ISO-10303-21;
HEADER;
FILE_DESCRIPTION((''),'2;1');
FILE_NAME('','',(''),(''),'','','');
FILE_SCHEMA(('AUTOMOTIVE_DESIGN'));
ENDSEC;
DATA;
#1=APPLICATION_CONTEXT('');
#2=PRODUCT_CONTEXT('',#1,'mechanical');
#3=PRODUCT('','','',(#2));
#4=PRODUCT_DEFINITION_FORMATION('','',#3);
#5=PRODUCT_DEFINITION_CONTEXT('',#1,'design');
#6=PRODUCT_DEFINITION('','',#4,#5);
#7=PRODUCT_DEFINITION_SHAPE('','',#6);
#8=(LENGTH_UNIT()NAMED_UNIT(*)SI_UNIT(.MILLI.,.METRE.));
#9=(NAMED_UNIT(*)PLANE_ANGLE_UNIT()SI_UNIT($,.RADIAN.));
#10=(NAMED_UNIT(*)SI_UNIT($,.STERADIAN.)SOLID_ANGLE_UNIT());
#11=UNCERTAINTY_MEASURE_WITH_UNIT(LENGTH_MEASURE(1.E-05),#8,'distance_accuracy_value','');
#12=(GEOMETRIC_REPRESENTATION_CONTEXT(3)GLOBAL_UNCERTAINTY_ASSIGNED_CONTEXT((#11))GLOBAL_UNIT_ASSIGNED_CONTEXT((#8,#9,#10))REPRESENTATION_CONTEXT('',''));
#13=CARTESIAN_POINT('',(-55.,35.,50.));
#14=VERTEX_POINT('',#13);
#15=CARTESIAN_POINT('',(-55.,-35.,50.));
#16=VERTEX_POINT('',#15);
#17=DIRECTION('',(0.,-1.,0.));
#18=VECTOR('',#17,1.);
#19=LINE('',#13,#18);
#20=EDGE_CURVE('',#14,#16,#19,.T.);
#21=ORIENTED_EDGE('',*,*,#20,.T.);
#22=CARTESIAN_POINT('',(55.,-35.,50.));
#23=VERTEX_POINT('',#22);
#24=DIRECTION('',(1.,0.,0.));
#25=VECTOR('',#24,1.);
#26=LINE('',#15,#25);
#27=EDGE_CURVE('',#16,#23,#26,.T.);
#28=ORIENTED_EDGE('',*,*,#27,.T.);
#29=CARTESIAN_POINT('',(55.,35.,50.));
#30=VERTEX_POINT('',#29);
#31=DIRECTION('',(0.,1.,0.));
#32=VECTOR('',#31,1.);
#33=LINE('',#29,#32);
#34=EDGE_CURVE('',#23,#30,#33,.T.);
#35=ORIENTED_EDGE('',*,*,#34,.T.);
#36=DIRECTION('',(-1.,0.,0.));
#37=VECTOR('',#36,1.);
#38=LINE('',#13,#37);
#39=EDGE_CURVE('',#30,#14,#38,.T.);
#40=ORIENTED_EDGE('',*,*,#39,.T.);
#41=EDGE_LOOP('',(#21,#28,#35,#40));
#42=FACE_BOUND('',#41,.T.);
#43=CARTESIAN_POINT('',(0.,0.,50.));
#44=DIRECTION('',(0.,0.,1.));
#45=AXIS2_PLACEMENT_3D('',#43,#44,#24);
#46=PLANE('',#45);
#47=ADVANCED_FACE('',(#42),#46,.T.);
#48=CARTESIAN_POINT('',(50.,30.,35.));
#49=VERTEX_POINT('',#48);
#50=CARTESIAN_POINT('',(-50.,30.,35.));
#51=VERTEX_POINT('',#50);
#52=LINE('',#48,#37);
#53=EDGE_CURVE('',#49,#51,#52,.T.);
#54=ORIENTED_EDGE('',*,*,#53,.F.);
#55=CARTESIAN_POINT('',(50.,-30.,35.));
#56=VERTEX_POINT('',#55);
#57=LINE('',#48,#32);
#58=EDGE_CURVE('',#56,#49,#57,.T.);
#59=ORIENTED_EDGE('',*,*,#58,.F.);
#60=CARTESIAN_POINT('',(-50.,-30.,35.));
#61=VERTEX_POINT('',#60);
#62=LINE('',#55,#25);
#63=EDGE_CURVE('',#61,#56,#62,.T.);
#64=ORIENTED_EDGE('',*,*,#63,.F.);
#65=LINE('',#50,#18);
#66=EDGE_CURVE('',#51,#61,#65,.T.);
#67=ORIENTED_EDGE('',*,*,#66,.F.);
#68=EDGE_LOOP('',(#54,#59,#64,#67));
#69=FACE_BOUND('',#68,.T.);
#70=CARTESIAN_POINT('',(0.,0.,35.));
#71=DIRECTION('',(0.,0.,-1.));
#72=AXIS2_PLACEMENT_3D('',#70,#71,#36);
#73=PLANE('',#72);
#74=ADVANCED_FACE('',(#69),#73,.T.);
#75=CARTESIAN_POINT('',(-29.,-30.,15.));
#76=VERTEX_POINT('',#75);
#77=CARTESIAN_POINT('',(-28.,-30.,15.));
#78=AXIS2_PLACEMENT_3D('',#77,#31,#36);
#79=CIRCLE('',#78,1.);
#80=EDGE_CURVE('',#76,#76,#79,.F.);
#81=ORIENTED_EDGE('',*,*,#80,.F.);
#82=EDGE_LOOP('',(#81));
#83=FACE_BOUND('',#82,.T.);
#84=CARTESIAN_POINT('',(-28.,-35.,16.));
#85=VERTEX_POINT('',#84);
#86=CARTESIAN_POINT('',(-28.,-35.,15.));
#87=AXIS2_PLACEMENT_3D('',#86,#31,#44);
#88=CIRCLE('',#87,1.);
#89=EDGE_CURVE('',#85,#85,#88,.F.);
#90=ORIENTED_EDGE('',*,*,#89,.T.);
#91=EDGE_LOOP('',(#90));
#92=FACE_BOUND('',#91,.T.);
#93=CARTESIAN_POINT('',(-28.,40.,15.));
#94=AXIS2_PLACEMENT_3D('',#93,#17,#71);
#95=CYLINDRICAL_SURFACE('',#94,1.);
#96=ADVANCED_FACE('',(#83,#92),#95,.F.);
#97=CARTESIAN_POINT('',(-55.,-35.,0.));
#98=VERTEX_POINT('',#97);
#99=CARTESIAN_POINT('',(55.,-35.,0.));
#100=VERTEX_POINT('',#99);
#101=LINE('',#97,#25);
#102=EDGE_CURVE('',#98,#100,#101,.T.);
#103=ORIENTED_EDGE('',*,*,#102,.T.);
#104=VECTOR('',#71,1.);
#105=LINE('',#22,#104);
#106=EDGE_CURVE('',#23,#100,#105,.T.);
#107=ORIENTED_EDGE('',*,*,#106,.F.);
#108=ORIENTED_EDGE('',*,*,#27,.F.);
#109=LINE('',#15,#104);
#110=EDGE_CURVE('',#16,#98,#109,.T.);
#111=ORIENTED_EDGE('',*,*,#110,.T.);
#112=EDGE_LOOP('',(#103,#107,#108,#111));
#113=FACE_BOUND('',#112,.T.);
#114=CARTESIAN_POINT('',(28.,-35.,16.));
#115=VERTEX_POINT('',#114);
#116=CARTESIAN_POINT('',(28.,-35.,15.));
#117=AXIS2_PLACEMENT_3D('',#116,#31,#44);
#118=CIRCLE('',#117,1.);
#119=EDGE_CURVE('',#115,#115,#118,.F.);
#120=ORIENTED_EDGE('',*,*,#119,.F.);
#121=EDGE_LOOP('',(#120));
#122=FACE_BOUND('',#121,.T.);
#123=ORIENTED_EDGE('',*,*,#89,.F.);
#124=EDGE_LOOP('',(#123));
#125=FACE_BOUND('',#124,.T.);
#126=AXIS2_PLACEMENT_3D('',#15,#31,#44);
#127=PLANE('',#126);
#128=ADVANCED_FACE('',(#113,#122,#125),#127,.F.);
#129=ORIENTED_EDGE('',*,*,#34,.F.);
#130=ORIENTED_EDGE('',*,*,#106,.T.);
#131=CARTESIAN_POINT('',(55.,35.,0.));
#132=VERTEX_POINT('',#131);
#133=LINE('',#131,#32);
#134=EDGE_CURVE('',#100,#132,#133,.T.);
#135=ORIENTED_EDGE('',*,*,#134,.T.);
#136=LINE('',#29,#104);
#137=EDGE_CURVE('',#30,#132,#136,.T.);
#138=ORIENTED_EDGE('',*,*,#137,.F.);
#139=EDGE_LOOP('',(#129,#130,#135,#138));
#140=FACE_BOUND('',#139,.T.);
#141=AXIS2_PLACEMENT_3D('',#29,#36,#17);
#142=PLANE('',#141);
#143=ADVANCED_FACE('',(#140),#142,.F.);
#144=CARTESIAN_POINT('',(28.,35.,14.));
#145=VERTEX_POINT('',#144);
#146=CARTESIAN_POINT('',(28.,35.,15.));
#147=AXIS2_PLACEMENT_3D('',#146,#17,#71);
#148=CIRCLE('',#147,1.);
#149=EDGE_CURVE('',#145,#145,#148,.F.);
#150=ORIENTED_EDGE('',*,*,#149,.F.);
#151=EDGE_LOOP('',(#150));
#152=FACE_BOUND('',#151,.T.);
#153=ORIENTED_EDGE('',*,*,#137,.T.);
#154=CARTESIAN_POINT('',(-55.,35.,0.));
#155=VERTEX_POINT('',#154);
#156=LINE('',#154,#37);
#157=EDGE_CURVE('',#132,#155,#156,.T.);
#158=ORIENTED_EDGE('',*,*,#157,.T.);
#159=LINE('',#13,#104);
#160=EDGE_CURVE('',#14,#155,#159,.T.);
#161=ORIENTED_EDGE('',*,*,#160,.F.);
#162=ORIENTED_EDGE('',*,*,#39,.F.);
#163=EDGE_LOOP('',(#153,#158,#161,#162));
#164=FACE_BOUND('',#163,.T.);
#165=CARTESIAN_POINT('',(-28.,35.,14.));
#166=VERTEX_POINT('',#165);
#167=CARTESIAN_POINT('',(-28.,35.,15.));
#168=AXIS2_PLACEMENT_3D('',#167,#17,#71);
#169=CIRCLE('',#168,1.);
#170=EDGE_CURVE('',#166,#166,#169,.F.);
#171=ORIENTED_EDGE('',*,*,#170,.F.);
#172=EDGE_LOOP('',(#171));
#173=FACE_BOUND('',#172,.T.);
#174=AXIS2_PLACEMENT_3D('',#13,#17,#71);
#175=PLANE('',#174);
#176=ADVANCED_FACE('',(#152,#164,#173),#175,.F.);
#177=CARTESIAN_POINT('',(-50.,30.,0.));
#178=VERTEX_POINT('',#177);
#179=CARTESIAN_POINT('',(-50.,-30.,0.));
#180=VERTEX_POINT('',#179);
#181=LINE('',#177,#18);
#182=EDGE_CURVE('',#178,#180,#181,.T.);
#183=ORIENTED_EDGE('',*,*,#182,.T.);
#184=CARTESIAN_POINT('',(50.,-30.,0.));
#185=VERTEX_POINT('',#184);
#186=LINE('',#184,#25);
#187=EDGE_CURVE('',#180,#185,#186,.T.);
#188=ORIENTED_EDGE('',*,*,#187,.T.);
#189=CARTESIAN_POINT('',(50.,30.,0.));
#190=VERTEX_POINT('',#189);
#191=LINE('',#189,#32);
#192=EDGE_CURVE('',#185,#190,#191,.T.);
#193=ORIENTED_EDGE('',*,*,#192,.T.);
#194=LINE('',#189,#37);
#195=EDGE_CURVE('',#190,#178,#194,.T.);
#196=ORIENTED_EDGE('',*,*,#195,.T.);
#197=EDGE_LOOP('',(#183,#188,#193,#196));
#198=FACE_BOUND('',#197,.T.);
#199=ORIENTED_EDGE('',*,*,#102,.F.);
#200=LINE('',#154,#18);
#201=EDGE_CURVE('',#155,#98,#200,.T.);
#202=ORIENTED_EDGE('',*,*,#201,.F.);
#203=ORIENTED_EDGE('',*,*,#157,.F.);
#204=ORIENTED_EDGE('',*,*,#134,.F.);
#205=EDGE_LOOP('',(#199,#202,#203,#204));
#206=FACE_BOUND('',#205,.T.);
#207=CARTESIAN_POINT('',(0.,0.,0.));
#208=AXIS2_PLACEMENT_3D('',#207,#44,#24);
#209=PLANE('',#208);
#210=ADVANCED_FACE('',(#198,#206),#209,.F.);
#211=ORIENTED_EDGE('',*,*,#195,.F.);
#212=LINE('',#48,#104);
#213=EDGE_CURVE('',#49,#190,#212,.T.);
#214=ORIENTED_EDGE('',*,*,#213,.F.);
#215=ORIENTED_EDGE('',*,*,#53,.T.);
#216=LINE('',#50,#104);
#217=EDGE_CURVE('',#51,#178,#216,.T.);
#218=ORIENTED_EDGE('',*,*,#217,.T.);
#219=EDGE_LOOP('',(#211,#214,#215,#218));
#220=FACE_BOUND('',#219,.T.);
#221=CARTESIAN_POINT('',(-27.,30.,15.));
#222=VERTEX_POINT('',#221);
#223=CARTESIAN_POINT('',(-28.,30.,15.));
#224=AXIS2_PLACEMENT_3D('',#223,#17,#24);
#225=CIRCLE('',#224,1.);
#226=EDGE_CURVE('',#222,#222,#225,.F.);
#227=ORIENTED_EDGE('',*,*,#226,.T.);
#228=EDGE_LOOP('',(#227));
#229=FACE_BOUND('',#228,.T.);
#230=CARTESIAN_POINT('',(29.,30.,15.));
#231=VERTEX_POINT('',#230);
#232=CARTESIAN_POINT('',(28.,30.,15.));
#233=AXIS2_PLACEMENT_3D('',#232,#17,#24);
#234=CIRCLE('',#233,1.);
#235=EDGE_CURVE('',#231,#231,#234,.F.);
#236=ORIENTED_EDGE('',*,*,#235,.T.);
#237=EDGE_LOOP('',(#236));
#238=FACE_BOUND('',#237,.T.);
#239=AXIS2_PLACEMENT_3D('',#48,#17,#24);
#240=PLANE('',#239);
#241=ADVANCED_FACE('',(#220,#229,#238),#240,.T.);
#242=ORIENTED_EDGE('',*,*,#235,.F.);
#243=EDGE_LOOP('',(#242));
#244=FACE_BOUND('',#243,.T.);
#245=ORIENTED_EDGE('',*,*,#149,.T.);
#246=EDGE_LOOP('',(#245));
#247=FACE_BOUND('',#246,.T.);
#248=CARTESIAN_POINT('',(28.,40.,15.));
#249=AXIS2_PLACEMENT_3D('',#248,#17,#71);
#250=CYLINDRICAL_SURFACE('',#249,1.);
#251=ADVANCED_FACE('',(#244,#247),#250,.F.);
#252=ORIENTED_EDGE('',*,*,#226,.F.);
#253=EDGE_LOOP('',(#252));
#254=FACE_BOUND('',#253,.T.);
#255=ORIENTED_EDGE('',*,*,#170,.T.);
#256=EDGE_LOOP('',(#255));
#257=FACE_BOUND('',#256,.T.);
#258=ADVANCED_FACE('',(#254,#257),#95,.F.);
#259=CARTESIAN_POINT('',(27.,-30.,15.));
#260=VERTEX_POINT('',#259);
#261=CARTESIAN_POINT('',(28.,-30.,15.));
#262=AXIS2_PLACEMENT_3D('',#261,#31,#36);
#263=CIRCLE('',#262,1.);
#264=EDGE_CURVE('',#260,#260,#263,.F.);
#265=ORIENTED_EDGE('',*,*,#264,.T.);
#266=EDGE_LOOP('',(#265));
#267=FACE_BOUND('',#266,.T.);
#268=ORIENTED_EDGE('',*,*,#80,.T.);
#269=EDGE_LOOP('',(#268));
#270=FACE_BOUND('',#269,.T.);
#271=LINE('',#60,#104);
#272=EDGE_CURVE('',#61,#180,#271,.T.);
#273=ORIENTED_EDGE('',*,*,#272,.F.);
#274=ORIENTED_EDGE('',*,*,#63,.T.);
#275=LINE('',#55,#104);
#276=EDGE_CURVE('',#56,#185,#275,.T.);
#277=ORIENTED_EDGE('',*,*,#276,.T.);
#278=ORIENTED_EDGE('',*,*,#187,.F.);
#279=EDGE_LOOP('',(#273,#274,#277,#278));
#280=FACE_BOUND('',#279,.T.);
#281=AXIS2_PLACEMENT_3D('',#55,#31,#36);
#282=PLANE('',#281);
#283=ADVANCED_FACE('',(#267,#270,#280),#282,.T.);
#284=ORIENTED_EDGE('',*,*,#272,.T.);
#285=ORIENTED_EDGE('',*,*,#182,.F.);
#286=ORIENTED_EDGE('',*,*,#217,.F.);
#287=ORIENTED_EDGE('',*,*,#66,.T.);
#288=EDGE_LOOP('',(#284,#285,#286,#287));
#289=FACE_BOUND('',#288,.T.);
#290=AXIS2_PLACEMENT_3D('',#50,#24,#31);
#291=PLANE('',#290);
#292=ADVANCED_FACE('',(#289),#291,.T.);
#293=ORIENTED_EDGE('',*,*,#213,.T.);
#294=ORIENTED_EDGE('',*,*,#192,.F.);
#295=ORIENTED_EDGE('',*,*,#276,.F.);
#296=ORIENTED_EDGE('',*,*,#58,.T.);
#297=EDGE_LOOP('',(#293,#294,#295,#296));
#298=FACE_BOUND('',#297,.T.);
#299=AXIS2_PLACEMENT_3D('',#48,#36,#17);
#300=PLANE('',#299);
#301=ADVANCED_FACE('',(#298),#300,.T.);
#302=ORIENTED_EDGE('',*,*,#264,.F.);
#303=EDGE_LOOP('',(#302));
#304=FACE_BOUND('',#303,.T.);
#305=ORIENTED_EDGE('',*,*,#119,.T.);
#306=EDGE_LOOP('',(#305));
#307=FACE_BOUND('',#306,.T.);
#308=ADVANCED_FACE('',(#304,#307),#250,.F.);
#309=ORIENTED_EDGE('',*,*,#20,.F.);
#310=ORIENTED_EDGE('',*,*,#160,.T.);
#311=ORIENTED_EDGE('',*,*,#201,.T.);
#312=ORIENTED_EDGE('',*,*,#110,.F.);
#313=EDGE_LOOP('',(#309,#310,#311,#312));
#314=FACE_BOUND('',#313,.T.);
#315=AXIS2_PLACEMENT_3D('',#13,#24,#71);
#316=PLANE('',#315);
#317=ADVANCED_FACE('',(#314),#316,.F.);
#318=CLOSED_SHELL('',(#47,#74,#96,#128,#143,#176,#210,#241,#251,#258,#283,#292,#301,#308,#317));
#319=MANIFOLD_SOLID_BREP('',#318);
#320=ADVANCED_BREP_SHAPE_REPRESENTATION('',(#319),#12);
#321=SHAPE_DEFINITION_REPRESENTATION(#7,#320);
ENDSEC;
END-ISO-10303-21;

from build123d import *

# Parameters (mm, degrees)
SKETCH_1_W               = 110
SKETCH_1_H               = 70
EXTRUDE_1_DEPTH          = 50
SKETCH_3_W               = 100
SKETCH_3_H               = 60
CUT_EXTRUDE_1_DEPTH      = 35
SKETCH_4_R               = 1
CUT_EXTRUDE_2_DEPTH      = 40
CUT_EXTRUDE_2_DEPTH_BACK = 40


with BuildPart() as part:
    # 草圖1 → 填料-伸長1 (new body)
    with BuildSketch(Plane.XY):
        Rectangle(SKETCH_1_W, SKETCH_1_H)
    extrude(amount=EXTRUDE_1_DEPTH)

    # 草圖3 → 除料-伸長1 (cut)
    with BuildSketch(Plane.XY):
        Rectangle(SKETCH_3_W, SKETCH_3_H)
    extrude(amount=CUT_EXTRUDE_1_DEPTH, mode=Mode.SUBTRACT)

    # 草圖4 → 除料-伸長2 (cut, two sides)
    with BuildSketch(Plane(origin=(0, 0, 0), x_dir=(1, 0, 0), z_dir=(0, 1, 0))) as cut_extrude_2_sk:
        with Locations((28, -15)):
            Circle(SKETCH_4_R)
        with Locations((-28, -15)):
            Circle(SKETCH_4_R)
    extrude(amount=CUT_EXTRUDE_2_DEPTH, mode=Mode.SUBTRACT)
    extrude(cut_extrude_2_sk.sketch, amount=-CUT_EXTRUDE_2_DEPTH_BACK, mode=Mode.SUBTRACT)


solid = part.part
